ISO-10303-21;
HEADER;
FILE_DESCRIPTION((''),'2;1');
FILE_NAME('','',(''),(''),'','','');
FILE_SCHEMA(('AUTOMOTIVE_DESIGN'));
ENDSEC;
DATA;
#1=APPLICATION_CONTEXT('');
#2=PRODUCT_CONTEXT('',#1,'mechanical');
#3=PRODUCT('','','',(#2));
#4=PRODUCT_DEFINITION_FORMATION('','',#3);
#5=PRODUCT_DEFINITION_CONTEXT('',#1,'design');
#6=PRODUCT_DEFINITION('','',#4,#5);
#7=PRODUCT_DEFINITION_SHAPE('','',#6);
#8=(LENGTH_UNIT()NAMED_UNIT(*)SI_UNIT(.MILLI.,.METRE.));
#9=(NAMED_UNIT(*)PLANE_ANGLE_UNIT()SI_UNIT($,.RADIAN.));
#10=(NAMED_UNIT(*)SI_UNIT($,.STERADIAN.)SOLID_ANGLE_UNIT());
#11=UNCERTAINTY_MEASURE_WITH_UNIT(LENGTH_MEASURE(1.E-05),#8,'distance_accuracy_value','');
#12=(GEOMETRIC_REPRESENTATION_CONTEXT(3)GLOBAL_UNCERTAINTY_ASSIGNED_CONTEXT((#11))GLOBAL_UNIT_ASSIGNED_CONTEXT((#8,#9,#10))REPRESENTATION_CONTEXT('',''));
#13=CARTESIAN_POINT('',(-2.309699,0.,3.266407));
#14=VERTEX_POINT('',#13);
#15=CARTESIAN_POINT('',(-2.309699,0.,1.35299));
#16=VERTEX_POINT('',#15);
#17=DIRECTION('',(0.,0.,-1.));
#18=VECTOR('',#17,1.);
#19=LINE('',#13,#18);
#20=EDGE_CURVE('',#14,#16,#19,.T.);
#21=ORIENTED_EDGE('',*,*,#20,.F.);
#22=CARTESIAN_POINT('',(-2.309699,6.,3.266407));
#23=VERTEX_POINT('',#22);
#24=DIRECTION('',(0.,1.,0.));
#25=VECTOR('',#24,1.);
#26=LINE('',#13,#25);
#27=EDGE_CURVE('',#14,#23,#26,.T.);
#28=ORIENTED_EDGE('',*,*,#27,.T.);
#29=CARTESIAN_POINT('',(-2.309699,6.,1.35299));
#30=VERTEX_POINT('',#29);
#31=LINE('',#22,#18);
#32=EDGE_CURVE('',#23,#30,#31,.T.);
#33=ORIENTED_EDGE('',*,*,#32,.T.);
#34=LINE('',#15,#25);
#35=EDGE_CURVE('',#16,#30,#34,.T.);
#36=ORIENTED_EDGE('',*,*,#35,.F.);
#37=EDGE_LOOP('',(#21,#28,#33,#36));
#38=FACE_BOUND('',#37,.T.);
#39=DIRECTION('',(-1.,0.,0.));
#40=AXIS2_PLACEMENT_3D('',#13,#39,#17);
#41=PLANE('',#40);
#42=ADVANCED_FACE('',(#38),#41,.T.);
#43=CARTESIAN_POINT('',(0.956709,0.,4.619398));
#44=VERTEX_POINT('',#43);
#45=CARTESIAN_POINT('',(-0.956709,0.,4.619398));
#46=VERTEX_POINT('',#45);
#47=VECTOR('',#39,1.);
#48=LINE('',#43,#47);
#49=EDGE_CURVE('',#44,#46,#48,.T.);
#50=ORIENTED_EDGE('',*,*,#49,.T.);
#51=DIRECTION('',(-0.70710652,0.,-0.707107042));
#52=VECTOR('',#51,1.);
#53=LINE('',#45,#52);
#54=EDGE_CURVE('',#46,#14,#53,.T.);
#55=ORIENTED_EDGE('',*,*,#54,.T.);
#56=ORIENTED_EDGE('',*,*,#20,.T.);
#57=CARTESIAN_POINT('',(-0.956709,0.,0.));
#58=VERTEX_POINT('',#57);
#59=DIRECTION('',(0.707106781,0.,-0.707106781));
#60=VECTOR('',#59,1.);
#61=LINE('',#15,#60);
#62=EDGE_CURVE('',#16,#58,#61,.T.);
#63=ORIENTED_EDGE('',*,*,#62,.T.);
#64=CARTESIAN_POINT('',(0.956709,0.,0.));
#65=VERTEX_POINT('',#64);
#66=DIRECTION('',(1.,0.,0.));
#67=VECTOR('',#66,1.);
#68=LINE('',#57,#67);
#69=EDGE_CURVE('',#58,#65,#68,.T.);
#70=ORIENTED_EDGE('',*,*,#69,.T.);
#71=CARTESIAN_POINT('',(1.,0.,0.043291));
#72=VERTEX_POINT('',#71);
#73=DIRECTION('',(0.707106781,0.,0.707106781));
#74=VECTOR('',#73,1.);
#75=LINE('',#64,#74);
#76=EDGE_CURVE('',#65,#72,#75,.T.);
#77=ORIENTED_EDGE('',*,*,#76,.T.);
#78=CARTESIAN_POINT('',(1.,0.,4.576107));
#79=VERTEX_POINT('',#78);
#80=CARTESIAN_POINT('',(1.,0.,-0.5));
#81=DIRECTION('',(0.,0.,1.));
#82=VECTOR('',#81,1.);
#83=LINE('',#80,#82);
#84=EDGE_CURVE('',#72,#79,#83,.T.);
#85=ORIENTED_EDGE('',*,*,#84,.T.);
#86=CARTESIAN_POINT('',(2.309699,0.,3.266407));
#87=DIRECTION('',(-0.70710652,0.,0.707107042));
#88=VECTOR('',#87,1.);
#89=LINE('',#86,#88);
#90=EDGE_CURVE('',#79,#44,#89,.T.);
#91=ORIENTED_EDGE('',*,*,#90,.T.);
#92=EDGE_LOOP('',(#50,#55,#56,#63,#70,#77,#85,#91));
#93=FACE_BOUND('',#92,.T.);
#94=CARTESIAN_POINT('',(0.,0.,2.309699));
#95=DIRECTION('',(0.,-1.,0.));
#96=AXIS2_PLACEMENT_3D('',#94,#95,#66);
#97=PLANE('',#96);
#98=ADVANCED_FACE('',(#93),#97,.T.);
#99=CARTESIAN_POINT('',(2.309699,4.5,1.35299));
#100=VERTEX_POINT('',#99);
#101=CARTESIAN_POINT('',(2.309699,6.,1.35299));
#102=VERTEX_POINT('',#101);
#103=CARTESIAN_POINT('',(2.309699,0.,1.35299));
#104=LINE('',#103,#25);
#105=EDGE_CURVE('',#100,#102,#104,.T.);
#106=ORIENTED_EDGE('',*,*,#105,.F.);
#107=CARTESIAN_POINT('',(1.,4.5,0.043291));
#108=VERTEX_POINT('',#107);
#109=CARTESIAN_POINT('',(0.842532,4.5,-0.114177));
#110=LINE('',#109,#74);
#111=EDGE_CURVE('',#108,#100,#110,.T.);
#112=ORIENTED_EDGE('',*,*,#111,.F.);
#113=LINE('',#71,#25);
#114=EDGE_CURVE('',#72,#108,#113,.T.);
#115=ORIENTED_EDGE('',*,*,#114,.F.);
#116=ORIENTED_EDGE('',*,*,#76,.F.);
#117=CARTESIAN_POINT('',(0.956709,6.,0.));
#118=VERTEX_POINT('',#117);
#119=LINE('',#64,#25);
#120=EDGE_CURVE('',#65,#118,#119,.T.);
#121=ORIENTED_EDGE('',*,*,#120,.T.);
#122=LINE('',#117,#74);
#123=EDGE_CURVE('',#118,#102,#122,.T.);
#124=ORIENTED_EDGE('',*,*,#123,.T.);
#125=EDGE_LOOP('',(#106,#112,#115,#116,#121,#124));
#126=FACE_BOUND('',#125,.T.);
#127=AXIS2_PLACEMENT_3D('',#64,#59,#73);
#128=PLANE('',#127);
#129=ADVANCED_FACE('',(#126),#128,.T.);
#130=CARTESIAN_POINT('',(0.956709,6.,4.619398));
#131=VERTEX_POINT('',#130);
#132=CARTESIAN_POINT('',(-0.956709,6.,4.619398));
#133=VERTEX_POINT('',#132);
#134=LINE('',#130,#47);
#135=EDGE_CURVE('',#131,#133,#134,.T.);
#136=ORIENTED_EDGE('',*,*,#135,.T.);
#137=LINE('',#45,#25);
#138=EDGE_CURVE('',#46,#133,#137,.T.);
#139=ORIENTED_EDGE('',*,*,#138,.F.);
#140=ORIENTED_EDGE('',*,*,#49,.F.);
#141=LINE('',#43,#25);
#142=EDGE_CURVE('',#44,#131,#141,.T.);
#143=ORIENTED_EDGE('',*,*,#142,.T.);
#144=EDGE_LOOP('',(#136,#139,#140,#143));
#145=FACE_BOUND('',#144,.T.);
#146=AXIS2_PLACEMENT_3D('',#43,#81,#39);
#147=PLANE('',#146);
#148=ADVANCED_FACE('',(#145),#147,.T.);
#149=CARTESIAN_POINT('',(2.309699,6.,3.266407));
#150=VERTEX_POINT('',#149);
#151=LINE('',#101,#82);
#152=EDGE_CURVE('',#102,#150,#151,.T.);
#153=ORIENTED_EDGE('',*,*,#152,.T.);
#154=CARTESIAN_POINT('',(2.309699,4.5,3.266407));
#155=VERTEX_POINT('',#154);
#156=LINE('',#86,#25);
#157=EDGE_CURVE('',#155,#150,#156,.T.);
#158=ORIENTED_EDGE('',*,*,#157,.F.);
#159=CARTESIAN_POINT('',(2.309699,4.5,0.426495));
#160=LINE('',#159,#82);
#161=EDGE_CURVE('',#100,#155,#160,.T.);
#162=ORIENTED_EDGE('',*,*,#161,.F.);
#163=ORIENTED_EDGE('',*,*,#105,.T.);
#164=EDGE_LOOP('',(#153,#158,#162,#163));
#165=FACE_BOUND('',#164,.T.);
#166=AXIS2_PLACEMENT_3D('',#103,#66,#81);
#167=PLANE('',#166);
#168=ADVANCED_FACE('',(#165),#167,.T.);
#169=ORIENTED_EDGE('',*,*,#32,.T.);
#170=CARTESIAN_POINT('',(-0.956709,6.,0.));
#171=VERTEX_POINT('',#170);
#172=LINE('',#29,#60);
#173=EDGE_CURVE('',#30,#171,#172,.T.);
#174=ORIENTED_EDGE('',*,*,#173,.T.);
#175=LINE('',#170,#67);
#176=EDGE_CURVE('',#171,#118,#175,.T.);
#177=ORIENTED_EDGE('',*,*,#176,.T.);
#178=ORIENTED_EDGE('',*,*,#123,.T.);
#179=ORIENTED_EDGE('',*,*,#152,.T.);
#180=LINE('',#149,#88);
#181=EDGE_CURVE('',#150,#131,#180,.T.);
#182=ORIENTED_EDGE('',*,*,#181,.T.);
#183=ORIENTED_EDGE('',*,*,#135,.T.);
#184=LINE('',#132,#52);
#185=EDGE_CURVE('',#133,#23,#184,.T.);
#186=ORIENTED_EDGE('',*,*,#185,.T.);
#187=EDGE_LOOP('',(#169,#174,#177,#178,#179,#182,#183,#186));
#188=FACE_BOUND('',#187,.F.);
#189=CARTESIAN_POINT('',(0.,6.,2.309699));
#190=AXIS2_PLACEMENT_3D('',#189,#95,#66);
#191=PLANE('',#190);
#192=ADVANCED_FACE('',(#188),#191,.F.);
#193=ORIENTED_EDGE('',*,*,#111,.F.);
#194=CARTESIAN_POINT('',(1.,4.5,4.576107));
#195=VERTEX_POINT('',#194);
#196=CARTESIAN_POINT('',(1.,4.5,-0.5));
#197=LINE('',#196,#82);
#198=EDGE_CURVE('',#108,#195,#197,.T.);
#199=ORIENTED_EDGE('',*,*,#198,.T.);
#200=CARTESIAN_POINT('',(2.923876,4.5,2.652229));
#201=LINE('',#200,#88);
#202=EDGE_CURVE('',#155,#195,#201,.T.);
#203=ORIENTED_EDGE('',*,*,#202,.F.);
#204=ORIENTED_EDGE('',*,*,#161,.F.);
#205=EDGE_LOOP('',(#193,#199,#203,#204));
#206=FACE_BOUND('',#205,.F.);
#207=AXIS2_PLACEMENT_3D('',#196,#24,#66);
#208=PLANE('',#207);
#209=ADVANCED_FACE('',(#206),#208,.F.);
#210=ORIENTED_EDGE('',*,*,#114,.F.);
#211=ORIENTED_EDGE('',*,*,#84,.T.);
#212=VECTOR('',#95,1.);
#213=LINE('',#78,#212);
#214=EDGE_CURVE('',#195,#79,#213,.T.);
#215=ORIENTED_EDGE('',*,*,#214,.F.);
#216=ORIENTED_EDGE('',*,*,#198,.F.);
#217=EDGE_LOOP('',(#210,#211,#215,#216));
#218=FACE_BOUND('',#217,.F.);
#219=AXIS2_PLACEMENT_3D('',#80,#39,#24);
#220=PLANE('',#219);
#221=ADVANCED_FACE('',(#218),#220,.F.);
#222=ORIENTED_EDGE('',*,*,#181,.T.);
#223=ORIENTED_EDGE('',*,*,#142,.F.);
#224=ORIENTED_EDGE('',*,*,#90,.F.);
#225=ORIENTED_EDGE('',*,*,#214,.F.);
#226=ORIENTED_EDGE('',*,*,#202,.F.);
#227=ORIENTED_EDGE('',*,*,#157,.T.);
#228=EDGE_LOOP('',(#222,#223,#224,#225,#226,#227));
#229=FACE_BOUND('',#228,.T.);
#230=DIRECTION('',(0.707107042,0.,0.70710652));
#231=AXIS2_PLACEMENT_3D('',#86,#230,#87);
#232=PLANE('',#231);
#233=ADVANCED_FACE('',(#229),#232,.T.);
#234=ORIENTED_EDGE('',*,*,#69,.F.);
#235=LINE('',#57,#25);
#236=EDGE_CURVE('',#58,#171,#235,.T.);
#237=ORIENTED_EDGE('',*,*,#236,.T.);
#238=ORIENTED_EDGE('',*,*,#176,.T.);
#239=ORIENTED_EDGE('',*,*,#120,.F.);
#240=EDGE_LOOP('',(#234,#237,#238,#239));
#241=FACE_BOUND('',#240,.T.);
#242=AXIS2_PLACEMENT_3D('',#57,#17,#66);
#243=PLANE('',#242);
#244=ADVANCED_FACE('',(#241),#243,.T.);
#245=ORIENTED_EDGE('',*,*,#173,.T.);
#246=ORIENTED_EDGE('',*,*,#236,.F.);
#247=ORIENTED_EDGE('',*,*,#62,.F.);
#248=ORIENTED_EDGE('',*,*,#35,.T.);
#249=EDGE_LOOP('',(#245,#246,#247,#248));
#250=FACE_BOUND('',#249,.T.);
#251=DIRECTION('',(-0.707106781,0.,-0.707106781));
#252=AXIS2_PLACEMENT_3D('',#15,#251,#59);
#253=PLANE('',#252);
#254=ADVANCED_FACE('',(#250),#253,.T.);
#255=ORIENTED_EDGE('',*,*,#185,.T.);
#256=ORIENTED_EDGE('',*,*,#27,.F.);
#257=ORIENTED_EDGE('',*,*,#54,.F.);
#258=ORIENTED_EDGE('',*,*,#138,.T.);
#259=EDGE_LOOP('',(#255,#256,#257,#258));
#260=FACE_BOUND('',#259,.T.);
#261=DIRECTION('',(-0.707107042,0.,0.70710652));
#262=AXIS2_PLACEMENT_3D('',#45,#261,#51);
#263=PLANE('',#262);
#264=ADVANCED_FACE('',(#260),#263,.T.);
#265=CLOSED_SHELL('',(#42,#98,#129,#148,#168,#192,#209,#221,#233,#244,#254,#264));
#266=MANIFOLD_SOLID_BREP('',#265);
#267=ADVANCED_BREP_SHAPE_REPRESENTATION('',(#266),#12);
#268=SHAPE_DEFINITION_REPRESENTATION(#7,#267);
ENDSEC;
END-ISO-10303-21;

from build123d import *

# Parameters (mm, degrees)
BOX008_W         = 2
BOX008_H         = 4.5
BOX008_DEPTH     = 6
EXTRUDE004_DEPTH = 6


with BuildPart() as box008:
    # Box008 → Box008 (new body)
    with BuildSketch(Plane(origin=(1, 0, -0.5), x_dir=(1, 0, 0), z_dir=(0, 0, 1))):
        with Locations((1, 2.25)):
            Rectangle(BOX008_W, BOX008_H)
    extrude(amount=BOX008_DEPTH)


with BuildPart() as octpin_wnotch:
    # Sketch002 → Extrude004 (new body)
    with BuildSketch(Plane.XZ):
        Polygon((2.309699, 1.35299), (2.309699, 3.266407), (0.956709, 4.619398), (-0.956709, 4.619398), (-2.309699, 3.266407), (-2.309699, 1.35299), (-0.956709, 0), (0.956709, 0), align=None)
    extrude(amount=-EXTRUDE004_DEPTH)

    # Cut: cut Box008
    add(box008.part, mode=Mode.SUBTRACT)


solid = octpin_wnotch.part
